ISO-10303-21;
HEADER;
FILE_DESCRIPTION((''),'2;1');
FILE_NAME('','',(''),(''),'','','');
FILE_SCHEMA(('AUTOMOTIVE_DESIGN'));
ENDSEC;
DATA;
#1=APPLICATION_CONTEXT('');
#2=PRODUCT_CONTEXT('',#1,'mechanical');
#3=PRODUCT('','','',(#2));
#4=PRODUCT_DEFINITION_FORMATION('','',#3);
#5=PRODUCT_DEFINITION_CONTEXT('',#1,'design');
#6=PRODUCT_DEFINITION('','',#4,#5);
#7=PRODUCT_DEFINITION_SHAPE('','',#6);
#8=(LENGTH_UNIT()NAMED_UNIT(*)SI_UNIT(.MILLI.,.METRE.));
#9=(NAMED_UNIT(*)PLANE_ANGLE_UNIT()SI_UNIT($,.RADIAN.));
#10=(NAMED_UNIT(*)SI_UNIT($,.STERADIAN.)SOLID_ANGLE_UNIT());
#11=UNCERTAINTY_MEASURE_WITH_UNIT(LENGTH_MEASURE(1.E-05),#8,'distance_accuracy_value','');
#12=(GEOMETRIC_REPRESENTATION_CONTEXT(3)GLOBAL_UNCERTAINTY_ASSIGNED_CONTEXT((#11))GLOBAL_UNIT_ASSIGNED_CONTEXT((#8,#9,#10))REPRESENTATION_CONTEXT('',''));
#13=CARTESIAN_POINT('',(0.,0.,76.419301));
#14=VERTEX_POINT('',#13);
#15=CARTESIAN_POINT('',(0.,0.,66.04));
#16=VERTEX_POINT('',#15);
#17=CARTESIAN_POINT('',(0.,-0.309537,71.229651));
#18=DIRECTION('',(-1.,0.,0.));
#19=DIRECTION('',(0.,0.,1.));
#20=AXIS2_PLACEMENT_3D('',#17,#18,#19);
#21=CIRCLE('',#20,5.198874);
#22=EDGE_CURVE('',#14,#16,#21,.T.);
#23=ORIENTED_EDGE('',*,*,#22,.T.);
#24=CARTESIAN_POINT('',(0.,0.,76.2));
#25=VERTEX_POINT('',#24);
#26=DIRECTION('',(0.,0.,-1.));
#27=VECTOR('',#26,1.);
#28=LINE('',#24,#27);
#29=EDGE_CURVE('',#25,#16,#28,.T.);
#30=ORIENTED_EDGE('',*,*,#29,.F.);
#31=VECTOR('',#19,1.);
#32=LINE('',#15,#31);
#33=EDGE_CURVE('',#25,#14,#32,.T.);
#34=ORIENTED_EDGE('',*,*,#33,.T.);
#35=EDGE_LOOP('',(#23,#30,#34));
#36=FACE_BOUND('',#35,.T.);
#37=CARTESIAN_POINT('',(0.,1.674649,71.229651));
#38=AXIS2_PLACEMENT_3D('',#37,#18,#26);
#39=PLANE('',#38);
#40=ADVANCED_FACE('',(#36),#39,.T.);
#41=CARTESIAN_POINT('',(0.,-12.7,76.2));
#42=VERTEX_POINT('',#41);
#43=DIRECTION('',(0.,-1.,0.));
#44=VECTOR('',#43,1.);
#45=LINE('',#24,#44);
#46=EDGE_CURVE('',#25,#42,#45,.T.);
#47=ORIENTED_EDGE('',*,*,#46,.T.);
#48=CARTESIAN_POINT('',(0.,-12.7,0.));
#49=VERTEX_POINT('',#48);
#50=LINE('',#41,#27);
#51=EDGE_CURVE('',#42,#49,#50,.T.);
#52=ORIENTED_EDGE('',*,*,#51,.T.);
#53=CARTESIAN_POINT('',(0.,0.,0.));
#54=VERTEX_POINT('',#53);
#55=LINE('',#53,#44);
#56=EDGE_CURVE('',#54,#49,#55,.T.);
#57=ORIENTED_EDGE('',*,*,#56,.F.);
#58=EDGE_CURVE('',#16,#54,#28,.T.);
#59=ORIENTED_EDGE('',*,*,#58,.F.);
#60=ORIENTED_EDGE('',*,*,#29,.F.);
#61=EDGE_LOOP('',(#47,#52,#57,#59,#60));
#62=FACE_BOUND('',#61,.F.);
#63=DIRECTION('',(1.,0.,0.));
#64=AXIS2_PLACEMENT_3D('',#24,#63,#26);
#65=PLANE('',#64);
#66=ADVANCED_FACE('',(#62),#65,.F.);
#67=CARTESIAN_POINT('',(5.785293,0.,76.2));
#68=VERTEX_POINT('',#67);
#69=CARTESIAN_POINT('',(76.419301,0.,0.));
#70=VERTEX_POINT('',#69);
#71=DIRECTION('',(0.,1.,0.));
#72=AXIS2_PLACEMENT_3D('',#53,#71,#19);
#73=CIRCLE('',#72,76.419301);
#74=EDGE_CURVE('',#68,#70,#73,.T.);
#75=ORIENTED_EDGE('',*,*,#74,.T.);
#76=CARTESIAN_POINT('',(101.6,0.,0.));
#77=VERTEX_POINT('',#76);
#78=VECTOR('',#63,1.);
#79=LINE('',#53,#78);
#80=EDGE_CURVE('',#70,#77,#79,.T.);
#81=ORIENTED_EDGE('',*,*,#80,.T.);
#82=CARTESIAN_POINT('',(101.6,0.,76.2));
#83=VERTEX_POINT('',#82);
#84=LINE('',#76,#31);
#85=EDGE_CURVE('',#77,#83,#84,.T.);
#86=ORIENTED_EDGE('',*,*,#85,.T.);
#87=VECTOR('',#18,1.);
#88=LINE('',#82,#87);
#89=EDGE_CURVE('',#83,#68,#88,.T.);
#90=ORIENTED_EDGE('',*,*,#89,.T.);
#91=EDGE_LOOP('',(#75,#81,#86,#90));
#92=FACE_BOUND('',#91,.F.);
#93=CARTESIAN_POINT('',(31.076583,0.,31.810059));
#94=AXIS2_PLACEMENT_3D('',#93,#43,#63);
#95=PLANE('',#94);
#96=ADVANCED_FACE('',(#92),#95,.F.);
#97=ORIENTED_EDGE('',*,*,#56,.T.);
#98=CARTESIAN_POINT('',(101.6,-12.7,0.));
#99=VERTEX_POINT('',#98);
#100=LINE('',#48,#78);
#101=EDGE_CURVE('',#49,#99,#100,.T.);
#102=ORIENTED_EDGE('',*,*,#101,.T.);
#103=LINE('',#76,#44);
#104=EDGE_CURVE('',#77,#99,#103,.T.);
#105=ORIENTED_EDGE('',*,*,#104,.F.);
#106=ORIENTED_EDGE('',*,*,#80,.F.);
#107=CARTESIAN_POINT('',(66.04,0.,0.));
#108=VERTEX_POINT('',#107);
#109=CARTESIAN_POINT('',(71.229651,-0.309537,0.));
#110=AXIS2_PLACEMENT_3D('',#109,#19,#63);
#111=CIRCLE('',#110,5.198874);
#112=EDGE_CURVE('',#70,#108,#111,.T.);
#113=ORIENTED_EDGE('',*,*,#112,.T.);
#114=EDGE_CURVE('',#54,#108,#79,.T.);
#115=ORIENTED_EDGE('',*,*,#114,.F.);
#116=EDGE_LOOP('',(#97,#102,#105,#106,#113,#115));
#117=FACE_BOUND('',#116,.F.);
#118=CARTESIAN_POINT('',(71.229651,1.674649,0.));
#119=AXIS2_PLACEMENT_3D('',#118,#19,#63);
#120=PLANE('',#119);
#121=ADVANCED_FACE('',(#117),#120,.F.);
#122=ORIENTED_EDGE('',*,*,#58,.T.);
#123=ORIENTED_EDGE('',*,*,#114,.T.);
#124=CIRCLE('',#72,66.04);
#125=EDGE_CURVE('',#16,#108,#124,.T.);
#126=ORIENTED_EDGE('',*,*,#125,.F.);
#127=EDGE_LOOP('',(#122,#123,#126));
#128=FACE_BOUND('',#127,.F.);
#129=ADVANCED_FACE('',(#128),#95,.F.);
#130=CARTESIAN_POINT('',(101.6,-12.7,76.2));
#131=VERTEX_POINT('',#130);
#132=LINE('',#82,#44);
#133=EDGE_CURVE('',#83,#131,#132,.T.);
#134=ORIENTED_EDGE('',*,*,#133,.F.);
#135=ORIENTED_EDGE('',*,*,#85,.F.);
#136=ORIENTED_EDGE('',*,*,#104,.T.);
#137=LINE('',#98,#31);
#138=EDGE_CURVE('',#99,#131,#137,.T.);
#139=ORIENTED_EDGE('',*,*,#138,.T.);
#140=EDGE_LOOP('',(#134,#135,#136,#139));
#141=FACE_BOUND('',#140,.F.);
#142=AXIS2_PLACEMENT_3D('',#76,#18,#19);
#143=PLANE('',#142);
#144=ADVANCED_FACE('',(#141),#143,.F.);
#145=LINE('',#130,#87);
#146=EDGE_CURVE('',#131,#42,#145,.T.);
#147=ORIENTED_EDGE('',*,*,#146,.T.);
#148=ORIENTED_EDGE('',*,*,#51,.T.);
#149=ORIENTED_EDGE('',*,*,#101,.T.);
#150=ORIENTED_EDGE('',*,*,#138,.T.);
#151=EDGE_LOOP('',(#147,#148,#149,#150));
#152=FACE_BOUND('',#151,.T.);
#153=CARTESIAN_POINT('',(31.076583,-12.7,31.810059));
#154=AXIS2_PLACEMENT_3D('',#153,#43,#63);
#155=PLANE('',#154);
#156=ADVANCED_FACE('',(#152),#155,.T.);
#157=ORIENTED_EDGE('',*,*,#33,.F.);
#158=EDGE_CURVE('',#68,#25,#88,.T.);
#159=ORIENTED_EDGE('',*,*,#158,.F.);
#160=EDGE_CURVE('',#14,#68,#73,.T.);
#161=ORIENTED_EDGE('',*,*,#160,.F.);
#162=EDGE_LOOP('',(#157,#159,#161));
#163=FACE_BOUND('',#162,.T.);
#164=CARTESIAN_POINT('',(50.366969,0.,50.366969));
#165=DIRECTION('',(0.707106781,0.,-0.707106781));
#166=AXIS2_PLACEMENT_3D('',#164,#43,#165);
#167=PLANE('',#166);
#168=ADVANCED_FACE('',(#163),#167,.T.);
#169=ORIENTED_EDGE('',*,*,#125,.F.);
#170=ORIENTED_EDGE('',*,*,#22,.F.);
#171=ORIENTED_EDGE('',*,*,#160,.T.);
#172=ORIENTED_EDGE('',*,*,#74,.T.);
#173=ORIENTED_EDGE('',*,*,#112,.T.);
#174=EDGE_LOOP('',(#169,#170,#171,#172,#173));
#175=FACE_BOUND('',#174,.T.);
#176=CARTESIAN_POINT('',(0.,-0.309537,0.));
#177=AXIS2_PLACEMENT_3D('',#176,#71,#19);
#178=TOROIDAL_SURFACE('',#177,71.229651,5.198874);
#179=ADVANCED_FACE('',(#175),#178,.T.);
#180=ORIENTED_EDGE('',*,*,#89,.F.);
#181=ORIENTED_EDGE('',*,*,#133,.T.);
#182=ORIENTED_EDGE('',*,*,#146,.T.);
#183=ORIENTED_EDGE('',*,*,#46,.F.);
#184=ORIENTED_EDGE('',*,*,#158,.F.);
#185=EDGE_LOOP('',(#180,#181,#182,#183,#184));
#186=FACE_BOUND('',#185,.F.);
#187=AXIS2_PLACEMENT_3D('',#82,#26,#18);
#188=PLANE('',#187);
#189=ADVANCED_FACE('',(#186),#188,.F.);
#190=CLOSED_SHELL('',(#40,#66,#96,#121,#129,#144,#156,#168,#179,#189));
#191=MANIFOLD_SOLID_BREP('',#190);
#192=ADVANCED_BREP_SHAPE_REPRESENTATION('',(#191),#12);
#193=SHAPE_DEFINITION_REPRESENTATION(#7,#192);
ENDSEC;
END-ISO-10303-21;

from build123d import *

# Parameters (mm, degrees)
F1_DEPTH = 12.7


with BuildPart() as f1:
    # F0 (on Front) → F1 (new body)
    with BuildSketch(Plane.XZ):
        with BuildLine():
            Line((0, 76.2), (0, 0))
            Line((0, 0), (71.12, 0))
            ThreePointArc((71.12, 0), (72.5485199348, 3.5317266787), (76.0306666667, 5.0771769934))
            ThreePointArc((76.0306666667, 5.0771769934), (52.0555429955, 55.6476454439), (0, 76.2))
        make_face()
        with BuildLine():
            ThreePointArc((76.0306666667, 5.0771769934), (72.5485199348, 3.5317266787), (71.12, 0))
            Line((71.12, 0), (76.2, 0))
            ThreePointArc((76.2, 0), (76.1576549009, 2.54), (76.0306666667, 5.0771769934))
        make_face()
        with BuildLine():
            ThreePointArc((76.0306666667, 5.0771769934), (76.1576549009, 2.54), (76.2, 0))
            Line((76.2, 0), (81.28, 0))
            ThreePointArc((81.28, 0), (79.7317266787, 3.6514800652), (76.0306666667, 5.0771769934))
        make_face()
        with BuildLine():
            Line((101.6, 76.2), (0, 76.2))
            ThreePointArc((0, 76.2), (52.0555429955, 55.6476454439), (76.0306666667, 5.0771769934))
            ThreePointArc((76.0306666667, 5.0771769934), (79.7317266787, 3.6514800652), (81.28, 0))
            Line((81.28, 0), (101.6, 0))
            Line((101.6, 0), (101.6, 76.2))
        make_face()
    extrude(amount=F1_DEPTH)

    # F3: sweep along a path in F0
    with BuildLine(Plane.XZ) as f3_path:
        ThreePointArc((0, 76.2), (53.8815367264, 53.8815367264), (76.2, 0))
    # F2 (on Top) → F3 (sweep)
    with BuildSketch(Plane.XY):
        with BuildLine():
            ThreePointArc((76.419301331, 0), (71.2296506655, 4.8893362163), (66.04, 0))
            Line((66.04, 0), (76.419301331, 0))
        make_face()
    sweep(path=f3_path.line)


solid = f1.part
